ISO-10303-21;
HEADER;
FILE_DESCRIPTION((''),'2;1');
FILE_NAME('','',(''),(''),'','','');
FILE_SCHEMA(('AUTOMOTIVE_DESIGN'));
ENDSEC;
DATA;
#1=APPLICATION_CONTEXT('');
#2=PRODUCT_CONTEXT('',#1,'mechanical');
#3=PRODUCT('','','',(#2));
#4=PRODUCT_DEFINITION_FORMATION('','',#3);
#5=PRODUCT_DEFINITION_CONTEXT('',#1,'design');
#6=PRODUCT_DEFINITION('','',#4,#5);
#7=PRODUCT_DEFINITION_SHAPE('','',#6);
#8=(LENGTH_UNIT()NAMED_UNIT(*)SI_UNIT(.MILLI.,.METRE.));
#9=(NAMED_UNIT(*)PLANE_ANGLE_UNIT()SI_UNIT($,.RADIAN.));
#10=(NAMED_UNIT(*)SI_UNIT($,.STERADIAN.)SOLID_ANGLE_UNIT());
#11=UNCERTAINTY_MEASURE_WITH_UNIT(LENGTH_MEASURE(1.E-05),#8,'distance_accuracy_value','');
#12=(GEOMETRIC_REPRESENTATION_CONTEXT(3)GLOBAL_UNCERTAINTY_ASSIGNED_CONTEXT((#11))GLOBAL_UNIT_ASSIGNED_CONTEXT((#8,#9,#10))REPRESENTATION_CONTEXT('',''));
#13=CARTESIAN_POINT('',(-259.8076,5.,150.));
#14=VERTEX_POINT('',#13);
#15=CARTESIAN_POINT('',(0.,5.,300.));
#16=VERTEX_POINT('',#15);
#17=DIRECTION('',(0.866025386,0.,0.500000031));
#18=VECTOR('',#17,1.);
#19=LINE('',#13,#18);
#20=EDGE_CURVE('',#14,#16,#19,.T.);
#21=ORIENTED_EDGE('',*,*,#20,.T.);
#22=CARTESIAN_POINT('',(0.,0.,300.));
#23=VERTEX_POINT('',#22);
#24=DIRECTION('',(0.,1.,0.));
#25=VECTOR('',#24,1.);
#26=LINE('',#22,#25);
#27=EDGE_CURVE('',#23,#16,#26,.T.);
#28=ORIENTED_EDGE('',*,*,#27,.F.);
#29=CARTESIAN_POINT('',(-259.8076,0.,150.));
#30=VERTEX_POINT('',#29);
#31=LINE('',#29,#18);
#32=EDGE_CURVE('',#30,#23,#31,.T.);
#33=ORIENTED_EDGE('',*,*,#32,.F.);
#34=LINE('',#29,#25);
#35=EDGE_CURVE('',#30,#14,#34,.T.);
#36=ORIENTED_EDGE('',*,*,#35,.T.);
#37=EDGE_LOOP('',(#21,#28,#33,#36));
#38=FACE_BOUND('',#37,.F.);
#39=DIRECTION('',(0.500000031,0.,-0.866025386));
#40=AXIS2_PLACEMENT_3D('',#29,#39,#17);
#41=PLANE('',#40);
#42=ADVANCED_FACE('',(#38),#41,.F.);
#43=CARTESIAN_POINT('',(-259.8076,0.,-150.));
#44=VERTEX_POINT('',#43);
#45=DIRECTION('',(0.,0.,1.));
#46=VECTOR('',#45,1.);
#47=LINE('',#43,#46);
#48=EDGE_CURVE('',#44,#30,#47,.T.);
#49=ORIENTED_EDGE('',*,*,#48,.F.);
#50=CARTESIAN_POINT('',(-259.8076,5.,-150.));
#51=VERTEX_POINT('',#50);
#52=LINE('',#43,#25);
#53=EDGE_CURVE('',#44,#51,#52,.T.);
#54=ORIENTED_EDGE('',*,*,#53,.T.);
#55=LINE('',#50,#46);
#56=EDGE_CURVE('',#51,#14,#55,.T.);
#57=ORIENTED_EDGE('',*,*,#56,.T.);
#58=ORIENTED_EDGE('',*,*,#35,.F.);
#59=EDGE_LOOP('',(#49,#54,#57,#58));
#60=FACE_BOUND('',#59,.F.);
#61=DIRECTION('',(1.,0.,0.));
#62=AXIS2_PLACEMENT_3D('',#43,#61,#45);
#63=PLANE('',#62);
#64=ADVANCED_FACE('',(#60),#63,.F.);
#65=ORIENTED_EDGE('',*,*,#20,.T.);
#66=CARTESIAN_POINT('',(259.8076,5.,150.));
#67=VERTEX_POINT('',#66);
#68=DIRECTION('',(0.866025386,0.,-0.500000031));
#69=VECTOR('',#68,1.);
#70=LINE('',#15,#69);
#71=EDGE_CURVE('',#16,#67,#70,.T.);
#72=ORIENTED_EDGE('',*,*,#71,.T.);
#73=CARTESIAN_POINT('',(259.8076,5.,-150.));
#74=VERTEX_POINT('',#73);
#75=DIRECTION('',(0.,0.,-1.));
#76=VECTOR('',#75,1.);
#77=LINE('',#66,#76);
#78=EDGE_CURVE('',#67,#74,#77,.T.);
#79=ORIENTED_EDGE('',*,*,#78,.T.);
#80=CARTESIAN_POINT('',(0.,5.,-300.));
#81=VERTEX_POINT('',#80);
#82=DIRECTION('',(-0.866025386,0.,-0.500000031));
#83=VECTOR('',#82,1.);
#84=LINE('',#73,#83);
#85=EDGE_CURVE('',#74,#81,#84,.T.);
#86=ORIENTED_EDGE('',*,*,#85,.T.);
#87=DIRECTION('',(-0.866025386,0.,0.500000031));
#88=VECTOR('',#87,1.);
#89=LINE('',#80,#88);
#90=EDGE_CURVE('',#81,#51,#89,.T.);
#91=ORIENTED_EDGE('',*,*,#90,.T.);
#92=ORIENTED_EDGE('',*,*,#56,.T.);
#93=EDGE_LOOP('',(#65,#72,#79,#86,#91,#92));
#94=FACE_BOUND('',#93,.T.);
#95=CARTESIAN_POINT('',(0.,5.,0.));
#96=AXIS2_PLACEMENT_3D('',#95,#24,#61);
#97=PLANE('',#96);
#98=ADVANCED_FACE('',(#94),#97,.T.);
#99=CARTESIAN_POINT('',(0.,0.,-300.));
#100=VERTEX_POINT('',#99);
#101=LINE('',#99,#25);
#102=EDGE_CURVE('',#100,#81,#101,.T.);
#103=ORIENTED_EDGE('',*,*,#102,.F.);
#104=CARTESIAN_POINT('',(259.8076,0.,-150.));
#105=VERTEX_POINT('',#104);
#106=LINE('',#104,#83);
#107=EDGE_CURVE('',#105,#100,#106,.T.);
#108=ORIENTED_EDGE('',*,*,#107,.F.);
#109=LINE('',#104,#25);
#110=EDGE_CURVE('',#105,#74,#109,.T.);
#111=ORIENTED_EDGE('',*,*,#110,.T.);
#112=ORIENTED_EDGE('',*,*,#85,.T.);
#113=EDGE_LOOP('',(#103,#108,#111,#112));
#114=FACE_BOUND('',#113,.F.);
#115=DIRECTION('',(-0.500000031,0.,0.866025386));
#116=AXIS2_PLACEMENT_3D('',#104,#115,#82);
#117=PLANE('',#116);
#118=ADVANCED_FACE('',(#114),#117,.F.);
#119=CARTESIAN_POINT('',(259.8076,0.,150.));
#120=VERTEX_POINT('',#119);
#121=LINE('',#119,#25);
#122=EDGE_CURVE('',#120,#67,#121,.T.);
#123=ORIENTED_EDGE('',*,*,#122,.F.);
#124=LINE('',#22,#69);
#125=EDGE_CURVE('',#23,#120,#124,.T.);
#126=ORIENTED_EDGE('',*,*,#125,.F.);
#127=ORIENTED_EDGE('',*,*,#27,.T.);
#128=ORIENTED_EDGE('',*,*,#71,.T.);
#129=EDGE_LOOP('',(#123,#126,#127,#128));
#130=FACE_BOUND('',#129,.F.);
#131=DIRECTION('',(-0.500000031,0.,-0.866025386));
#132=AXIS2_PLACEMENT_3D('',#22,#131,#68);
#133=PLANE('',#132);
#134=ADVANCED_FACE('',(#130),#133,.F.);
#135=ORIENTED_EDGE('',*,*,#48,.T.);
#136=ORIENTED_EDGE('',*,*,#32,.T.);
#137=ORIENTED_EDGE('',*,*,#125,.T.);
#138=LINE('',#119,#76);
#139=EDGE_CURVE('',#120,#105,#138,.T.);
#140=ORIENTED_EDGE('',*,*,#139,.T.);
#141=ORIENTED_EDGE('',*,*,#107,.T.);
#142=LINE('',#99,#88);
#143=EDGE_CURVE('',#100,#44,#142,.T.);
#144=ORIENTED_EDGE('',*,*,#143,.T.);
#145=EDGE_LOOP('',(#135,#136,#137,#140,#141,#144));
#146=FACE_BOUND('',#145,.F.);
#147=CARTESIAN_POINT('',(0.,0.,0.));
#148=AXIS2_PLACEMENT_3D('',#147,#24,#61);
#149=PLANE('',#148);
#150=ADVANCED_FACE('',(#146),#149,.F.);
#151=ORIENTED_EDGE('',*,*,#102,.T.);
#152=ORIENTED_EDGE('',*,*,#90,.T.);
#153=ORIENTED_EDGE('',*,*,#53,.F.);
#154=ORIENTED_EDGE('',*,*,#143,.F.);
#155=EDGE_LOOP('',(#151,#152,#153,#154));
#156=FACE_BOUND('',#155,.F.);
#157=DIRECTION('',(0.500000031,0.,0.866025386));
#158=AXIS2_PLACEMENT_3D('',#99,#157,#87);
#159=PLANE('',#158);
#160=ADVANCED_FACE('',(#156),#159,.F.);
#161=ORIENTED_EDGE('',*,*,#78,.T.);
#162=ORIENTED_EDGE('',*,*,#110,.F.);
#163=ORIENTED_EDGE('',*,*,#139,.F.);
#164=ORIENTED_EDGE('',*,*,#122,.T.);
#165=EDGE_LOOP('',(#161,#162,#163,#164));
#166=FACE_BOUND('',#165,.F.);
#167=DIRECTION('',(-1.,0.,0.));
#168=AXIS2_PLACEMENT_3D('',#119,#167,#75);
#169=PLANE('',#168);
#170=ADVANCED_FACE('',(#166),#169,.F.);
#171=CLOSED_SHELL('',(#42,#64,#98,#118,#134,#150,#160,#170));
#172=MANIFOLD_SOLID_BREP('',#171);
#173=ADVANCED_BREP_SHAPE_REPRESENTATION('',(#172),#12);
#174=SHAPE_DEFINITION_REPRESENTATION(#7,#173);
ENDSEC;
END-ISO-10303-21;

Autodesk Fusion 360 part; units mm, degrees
sketch "Sketch1" plane through (0, 0, 0) normal (0, 1, 0) x (1, 0, 0)
  line L0 (0, -300) -> (259.8076, -150)
  line L1 (259.8076, -150) -> (259.8076, 150)
  line L2 (259.8076, 150) -> (0, 300)
  line L3 (0, 300) -> (-259.8076, 150)
  line L4 (-259.8076, 150) -> (-259.8076, -150)
  line L5 (-259.8076, -150) -> (0, -300)
  dimension "d1" = 300
extrude "Extrude1" add sketch "Sketch1" along normal blind 5
sketch "Sketch2" plane through (0, 5, 0) normal (0, 1, 0) x (-1, 0, 0)
  line L0 (259.8076, 150) -> (0, 300)
  line L1 (0, 300) -> (-259.8076, 150)
  line L2 (-259.8076, 150) -> (-259.8076, -150)
  line L3 (-259.8076, -150) -> (0, -300)
  line L4 (0, -300) -> (259.8076, -150)
  line L5 (259.8076, -150) -> (259.8076, 150)
